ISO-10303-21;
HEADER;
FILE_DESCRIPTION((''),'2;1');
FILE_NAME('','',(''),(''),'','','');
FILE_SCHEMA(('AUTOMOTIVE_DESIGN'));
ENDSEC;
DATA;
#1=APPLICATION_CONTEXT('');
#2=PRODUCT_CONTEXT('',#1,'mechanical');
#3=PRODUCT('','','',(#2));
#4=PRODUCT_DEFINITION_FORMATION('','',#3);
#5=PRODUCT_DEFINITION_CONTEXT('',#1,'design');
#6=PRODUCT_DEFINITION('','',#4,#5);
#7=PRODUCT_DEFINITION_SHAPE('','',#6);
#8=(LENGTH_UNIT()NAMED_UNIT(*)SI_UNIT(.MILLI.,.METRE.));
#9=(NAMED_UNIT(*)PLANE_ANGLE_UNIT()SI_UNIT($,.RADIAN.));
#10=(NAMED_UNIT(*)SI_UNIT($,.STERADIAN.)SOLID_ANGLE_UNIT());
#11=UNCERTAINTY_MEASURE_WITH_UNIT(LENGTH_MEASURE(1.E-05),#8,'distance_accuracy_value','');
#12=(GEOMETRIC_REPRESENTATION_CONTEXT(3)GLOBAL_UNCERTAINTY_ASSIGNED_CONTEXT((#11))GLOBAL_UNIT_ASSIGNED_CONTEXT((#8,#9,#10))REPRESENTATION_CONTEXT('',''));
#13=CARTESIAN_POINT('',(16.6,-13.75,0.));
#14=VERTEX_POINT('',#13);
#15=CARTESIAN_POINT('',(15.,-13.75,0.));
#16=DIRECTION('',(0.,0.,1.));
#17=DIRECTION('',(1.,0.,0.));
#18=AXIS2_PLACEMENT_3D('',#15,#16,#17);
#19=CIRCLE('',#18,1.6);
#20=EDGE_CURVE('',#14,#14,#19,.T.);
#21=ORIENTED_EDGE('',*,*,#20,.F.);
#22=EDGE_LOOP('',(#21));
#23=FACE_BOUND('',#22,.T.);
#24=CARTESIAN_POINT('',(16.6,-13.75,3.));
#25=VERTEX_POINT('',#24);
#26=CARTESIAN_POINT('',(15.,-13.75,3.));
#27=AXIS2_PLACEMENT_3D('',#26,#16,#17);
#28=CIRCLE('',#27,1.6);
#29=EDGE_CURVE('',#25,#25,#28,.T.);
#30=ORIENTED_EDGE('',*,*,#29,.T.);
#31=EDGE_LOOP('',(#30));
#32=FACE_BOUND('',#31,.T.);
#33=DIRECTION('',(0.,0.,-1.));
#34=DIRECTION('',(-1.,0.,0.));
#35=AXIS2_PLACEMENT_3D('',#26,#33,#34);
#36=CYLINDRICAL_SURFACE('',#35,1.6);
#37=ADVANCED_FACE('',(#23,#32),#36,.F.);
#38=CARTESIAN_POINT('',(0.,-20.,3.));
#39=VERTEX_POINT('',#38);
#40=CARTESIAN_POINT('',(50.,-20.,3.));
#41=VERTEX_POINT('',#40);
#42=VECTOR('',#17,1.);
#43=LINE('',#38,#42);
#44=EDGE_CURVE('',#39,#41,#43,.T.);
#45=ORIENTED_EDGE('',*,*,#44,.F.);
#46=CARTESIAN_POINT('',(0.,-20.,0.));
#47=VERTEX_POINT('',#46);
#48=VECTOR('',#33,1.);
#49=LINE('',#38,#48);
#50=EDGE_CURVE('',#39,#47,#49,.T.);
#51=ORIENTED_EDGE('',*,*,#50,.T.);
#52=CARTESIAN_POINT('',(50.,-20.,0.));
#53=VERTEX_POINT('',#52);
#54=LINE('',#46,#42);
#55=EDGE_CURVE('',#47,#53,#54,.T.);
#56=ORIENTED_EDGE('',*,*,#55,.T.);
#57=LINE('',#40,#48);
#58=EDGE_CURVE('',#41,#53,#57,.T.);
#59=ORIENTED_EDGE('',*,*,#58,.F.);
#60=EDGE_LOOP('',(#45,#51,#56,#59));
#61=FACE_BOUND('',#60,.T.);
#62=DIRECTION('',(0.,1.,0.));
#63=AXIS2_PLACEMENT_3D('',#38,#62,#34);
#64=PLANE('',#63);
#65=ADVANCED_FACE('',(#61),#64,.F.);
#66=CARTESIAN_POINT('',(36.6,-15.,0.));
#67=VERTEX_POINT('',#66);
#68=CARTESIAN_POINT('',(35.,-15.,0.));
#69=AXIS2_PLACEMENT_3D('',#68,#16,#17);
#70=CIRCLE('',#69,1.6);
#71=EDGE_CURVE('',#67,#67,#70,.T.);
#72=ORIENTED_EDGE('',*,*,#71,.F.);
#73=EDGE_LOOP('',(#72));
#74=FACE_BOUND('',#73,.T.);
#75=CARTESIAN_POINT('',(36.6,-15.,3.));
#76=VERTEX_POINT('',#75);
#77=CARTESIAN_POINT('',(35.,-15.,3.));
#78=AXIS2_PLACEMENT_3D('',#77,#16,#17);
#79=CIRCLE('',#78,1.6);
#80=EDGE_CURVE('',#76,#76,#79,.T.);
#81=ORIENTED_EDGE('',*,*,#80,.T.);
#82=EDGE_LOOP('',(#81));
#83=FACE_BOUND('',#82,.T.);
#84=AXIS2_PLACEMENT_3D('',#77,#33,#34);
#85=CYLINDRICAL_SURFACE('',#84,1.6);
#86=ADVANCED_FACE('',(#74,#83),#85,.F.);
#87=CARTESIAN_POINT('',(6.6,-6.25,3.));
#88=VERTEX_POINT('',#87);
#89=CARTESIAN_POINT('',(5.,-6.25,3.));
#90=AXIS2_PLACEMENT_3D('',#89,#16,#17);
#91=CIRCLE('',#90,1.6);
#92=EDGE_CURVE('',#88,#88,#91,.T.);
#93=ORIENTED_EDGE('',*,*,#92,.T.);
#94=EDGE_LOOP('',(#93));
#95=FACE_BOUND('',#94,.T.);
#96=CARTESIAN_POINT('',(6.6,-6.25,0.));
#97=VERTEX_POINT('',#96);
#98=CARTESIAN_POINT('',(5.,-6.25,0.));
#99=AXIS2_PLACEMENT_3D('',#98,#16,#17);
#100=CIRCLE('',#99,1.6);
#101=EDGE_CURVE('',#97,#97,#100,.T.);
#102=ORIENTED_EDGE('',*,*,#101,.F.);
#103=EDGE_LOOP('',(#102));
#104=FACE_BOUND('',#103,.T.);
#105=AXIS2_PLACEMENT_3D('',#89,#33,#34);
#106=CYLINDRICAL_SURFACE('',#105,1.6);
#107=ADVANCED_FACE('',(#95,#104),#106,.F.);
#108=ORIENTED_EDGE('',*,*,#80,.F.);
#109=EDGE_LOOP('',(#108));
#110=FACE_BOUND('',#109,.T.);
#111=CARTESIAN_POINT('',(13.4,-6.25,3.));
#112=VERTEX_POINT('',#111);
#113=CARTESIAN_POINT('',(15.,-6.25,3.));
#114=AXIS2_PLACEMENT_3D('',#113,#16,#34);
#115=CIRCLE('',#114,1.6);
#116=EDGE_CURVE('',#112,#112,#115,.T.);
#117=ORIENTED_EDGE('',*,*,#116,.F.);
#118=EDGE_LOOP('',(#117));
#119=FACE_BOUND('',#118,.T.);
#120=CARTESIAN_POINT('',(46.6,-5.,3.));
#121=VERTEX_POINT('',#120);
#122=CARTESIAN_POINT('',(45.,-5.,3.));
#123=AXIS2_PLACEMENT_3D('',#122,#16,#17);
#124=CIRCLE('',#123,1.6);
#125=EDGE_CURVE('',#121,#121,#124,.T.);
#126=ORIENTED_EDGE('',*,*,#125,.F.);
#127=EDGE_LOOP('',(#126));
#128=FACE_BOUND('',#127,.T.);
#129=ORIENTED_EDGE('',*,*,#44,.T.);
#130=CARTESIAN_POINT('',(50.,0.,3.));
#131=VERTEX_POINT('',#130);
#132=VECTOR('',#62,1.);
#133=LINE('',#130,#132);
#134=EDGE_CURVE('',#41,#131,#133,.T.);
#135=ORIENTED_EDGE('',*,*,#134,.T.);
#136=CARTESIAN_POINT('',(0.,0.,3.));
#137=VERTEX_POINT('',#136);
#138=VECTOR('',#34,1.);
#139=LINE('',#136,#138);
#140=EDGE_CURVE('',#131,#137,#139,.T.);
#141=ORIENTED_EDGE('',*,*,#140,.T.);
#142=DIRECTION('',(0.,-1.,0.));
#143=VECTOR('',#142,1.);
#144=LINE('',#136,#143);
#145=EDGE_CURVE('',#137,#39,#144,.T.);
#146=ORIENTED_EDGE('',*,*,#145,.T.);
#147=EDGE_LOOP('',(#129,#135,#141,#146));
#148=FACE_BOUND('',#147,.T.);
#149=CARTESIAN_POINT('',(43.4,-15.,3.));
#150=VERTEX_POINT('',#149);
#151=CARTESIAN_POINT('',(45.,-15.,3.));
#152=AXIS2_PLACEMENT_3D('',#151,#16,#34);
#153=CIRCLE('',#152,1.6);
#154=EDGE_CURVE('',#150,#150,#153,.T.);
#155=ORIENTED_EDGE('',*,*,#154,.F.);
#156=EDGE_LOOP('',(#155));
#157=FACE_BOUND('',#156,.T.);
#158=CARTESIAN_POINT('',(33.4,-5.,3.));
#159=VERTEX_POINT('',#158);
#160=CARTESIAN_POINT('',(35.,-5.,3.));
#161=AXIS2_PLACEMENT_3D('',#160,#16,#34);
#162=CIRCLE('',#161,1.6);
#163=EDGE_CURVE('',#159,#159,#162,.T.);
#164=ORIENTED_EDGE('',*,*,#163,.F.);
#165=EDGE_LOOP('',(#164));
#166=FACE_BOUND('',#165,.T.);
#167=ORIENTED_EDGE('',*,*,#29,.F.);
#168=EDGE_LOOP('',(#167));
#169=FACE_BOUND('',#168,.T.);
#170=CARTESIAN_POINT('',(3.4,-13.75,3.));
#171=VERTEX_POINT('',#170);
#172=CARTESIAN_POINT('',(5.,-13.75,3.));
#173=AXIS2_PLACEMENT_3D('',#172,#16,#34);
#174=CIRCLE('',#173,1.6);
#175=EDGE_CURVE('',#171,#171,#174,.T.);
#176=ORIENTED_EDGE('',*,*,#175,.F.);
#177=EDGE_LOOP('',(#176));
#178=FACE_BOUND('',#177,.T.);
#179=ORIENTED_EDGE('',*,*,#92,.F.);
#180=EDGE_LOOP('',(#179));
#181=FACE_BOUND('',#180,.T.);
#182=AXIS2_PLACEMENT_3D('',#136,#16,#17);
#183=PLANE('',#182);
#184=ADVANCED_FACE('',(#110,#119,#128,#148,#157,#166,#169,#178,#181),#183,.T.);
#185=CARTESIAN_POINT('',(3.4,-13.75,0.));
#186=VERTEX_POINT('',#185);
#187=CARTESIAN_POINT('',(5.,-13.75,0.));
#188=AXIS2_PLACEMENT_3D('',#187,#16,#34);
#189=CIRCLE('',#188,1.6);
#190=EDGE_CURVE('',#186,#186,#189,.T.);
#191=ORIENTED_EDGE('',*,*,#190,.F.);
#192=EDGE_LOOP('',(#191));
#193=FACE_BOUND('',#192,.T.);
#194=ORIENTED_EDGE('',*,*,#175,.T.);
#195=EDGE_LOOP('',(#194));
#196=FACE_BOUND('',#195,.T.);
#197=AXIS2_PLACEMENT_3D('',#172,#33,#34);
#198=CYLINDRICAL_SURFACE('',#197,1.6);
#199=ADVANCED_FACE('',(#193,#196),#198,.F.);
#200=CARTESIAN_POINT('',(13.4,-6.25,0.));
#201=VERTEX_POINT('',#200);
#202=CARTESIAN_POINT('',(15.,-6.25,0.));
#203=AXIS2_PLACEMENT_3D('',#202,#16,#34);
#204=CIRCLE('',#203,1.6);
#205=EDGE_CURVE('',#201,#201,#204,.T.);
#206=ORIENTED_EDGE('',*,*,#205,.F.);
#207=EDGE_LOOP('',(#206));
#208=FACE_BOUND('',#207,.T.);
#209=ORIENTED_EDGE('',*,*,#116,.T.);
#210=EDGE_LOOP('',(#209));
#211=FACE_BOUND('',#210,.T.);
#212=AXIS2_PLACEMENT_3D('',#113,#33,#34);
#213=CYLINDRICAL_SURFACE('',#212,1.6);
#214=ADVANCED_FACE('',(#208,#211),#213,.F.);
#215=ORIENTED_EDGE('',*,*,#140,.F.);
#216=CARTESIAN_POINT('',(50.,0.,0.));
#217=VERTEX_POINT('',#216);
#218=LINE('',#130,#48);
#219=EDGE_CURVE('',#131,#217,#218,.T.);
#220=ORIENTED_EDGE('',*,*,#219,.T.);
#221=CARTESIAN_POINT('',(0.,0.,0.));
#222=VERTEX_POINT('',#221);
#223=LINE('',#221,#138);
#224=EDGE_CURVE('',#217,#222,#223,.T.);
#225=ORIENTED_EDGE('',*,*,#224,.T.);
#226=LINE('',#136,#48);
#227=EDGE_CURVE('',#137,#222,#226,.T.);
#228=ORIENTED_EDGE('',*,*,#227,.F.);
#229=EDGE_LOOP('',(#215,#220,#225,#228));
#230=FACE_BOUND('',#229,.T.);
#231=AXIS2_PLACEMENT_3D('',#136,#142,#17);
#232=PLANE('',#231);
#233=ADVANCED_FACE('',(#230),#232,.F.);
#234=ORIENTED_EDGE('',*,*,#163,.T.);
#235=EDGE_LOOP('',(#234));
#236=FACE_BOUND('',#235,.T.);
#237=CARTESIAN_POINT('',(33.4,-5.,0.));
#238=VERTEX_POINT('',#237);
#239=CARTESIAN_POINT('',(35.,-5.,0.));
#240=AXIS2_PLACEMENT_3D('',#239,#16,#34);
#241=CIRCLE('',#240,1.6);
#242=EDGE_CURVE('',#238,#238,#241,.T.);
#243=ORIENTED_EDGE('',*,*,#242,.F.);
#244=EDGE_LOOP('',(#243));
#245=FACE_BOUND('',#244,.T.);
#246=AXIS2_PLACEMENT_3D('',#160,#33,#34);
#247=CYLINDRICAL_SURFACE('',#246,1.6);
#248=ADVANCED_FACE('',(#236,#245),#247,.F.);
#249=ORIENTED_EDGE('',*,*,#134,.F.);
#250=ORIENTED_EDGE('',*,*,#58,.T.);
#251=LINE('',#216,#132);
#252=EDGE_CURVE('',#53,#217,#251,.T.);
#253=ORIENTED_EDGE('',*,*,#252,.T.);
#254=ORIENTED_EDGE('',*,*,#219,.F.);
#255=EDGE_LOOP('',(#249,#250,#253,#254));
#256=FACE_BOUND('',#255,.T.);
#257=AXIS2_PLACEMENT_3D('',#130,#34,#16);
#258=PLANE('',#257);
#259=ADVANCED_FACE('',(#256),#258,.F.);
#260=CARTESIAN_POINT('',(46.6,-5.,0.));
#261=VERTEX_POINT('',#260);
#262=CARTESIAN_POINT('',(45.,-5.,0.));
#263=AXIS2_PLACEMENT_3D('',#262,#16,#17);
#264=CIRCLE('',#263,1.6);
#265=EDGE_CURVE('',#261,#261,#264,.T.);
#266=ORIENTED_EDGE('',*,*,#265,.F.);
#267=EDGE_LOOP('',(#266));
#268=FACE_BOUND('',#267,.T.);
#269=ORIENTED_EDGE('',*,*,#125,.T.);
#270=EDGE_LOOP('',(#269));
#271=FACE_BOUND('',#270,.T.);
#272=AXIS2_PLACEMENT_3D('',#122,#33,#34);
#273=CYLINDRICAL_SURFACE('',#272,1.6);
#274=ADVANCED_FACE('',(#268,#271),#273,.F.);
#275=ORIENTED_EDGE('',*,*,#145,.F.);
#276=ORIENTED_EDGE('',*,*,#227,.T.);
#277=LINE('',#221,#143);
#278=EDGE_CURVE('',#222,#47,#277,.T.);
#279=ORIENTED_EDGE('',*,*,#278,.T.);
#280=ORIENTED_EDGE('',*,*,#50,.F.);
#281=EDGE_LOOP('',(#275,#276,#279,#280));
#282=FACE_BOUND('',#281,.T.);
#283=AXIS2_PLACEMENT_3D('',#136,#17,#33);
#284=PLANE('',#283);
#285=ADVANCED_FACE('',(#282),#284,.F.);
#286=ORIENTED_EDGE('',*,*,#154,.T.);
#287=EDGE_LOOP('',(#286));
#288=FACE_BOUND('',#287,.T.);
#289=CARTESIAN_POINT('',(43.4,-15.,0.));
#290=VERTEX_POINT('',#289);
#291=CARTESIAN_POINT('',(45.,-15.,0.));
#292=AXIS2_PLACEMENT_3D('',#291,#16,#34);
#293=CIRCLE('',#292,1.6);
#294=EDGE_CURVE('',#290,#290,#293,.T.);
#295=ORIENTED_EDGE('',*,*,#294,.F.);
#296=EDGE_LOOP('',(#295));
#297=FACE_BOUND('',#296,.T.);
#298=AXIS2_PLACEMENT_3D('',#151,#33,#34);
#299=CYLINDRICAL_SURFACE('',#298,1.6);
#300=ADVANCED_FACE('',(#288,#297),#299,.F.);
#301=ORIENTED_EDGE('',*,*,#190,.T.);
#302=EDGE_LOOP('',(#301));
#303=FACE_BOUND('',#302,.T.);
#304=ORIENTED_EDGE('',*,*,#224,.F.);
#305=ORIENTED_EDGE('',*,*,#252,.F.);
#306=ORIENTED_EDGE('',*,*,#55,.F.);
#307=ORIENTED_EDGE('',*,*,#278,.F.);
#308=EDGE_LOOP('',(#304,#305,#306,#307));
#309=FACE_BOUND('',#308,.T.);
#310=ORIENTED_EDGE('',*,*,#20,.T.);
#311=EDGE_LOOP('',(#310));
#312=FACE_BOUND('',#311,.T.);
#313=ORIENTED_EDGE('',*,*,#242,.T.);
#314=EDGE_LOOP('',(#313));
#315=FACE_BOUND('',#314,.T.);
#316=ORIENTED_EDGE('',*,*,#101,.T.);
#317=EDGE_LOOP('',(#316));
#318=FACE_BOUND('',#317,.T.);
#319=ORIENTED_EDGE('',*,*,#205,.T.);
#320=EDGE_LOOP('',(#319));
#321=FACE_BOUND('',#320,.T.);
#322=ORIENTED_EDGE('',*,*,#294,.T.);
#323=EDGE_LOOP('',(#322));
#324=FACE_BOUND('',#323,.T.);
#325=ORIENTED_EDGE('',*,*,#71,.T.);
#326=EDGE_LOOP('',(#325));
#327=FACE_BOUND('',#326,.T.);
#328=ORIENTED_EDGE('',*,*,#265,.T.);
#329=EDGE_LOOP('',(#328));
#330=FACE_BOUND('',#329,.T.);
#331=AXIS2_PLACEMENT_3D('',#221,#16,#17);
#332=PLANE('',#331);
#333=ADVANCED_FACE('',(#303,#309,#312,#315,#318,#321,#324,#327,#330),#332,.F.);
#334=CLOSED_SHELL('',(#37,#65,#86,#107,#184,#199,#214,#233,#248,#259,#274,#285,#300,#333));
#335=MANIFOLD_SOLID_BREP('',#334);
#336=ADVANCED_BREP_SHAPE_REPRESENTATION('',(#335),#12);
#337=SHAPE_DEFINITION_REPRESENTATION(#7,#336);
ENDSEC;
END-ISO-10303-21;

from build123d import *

# Parameters (mm, degrees)
SKETCH_1_W      = 50
SKETCH_1_H      = 20
SKETCH_1_R      = 1.6
EXTRUDE_1_DEPTH = 3


with BuildPart() as part:
    # 草图1 → 凸台-拉伸1 (new body)
    with BuildSketch(Plane.XY):
        with Locations((25, -10)):
            Rectangle(SKETCH_1_W, SKETCH_1_H)
        with Locations((45, -5)):
            Circle(SKETCH_1_R, mode=Mode.SUBTRACT)
        with Locations(Location((45, -15, 0), (0, 0, 180))):
            Circle(SKETCH_1_R, mode=Mode.SUBTRACT)
        with Locations((35, -15)):
            Circle(SKETCH_1_R, mode=Mode.SUBTRACT)
        with Locations(Location((35, -5, 0), (0, 0, 180))):
            Circle(SKETCH_1_R, mode=Mode.SUBTRACT)
        with Locations((5, -6.25)):
            Circle(SKETCH_1_R, mode=Mode.SUBTRACT)
        with Locations(Location((5, -13.75, 0), (0, 0, 180))):
            Circle(SKETCH_1_R, mode=Mode.SUBTRACT)
        with Locations((15, -13.75)):
            Circle(SKETCH_1_R, mode=Mode.SUBTRACT)
        with Locations(Location((15, -6.25, 0), (0, 0, 180))):
            Circle(SKETCH_1_R, mode=Mode.SUBTRACT)
    extrude(amount=EXTRUDE_1_DEPTH)


solid = part.part
